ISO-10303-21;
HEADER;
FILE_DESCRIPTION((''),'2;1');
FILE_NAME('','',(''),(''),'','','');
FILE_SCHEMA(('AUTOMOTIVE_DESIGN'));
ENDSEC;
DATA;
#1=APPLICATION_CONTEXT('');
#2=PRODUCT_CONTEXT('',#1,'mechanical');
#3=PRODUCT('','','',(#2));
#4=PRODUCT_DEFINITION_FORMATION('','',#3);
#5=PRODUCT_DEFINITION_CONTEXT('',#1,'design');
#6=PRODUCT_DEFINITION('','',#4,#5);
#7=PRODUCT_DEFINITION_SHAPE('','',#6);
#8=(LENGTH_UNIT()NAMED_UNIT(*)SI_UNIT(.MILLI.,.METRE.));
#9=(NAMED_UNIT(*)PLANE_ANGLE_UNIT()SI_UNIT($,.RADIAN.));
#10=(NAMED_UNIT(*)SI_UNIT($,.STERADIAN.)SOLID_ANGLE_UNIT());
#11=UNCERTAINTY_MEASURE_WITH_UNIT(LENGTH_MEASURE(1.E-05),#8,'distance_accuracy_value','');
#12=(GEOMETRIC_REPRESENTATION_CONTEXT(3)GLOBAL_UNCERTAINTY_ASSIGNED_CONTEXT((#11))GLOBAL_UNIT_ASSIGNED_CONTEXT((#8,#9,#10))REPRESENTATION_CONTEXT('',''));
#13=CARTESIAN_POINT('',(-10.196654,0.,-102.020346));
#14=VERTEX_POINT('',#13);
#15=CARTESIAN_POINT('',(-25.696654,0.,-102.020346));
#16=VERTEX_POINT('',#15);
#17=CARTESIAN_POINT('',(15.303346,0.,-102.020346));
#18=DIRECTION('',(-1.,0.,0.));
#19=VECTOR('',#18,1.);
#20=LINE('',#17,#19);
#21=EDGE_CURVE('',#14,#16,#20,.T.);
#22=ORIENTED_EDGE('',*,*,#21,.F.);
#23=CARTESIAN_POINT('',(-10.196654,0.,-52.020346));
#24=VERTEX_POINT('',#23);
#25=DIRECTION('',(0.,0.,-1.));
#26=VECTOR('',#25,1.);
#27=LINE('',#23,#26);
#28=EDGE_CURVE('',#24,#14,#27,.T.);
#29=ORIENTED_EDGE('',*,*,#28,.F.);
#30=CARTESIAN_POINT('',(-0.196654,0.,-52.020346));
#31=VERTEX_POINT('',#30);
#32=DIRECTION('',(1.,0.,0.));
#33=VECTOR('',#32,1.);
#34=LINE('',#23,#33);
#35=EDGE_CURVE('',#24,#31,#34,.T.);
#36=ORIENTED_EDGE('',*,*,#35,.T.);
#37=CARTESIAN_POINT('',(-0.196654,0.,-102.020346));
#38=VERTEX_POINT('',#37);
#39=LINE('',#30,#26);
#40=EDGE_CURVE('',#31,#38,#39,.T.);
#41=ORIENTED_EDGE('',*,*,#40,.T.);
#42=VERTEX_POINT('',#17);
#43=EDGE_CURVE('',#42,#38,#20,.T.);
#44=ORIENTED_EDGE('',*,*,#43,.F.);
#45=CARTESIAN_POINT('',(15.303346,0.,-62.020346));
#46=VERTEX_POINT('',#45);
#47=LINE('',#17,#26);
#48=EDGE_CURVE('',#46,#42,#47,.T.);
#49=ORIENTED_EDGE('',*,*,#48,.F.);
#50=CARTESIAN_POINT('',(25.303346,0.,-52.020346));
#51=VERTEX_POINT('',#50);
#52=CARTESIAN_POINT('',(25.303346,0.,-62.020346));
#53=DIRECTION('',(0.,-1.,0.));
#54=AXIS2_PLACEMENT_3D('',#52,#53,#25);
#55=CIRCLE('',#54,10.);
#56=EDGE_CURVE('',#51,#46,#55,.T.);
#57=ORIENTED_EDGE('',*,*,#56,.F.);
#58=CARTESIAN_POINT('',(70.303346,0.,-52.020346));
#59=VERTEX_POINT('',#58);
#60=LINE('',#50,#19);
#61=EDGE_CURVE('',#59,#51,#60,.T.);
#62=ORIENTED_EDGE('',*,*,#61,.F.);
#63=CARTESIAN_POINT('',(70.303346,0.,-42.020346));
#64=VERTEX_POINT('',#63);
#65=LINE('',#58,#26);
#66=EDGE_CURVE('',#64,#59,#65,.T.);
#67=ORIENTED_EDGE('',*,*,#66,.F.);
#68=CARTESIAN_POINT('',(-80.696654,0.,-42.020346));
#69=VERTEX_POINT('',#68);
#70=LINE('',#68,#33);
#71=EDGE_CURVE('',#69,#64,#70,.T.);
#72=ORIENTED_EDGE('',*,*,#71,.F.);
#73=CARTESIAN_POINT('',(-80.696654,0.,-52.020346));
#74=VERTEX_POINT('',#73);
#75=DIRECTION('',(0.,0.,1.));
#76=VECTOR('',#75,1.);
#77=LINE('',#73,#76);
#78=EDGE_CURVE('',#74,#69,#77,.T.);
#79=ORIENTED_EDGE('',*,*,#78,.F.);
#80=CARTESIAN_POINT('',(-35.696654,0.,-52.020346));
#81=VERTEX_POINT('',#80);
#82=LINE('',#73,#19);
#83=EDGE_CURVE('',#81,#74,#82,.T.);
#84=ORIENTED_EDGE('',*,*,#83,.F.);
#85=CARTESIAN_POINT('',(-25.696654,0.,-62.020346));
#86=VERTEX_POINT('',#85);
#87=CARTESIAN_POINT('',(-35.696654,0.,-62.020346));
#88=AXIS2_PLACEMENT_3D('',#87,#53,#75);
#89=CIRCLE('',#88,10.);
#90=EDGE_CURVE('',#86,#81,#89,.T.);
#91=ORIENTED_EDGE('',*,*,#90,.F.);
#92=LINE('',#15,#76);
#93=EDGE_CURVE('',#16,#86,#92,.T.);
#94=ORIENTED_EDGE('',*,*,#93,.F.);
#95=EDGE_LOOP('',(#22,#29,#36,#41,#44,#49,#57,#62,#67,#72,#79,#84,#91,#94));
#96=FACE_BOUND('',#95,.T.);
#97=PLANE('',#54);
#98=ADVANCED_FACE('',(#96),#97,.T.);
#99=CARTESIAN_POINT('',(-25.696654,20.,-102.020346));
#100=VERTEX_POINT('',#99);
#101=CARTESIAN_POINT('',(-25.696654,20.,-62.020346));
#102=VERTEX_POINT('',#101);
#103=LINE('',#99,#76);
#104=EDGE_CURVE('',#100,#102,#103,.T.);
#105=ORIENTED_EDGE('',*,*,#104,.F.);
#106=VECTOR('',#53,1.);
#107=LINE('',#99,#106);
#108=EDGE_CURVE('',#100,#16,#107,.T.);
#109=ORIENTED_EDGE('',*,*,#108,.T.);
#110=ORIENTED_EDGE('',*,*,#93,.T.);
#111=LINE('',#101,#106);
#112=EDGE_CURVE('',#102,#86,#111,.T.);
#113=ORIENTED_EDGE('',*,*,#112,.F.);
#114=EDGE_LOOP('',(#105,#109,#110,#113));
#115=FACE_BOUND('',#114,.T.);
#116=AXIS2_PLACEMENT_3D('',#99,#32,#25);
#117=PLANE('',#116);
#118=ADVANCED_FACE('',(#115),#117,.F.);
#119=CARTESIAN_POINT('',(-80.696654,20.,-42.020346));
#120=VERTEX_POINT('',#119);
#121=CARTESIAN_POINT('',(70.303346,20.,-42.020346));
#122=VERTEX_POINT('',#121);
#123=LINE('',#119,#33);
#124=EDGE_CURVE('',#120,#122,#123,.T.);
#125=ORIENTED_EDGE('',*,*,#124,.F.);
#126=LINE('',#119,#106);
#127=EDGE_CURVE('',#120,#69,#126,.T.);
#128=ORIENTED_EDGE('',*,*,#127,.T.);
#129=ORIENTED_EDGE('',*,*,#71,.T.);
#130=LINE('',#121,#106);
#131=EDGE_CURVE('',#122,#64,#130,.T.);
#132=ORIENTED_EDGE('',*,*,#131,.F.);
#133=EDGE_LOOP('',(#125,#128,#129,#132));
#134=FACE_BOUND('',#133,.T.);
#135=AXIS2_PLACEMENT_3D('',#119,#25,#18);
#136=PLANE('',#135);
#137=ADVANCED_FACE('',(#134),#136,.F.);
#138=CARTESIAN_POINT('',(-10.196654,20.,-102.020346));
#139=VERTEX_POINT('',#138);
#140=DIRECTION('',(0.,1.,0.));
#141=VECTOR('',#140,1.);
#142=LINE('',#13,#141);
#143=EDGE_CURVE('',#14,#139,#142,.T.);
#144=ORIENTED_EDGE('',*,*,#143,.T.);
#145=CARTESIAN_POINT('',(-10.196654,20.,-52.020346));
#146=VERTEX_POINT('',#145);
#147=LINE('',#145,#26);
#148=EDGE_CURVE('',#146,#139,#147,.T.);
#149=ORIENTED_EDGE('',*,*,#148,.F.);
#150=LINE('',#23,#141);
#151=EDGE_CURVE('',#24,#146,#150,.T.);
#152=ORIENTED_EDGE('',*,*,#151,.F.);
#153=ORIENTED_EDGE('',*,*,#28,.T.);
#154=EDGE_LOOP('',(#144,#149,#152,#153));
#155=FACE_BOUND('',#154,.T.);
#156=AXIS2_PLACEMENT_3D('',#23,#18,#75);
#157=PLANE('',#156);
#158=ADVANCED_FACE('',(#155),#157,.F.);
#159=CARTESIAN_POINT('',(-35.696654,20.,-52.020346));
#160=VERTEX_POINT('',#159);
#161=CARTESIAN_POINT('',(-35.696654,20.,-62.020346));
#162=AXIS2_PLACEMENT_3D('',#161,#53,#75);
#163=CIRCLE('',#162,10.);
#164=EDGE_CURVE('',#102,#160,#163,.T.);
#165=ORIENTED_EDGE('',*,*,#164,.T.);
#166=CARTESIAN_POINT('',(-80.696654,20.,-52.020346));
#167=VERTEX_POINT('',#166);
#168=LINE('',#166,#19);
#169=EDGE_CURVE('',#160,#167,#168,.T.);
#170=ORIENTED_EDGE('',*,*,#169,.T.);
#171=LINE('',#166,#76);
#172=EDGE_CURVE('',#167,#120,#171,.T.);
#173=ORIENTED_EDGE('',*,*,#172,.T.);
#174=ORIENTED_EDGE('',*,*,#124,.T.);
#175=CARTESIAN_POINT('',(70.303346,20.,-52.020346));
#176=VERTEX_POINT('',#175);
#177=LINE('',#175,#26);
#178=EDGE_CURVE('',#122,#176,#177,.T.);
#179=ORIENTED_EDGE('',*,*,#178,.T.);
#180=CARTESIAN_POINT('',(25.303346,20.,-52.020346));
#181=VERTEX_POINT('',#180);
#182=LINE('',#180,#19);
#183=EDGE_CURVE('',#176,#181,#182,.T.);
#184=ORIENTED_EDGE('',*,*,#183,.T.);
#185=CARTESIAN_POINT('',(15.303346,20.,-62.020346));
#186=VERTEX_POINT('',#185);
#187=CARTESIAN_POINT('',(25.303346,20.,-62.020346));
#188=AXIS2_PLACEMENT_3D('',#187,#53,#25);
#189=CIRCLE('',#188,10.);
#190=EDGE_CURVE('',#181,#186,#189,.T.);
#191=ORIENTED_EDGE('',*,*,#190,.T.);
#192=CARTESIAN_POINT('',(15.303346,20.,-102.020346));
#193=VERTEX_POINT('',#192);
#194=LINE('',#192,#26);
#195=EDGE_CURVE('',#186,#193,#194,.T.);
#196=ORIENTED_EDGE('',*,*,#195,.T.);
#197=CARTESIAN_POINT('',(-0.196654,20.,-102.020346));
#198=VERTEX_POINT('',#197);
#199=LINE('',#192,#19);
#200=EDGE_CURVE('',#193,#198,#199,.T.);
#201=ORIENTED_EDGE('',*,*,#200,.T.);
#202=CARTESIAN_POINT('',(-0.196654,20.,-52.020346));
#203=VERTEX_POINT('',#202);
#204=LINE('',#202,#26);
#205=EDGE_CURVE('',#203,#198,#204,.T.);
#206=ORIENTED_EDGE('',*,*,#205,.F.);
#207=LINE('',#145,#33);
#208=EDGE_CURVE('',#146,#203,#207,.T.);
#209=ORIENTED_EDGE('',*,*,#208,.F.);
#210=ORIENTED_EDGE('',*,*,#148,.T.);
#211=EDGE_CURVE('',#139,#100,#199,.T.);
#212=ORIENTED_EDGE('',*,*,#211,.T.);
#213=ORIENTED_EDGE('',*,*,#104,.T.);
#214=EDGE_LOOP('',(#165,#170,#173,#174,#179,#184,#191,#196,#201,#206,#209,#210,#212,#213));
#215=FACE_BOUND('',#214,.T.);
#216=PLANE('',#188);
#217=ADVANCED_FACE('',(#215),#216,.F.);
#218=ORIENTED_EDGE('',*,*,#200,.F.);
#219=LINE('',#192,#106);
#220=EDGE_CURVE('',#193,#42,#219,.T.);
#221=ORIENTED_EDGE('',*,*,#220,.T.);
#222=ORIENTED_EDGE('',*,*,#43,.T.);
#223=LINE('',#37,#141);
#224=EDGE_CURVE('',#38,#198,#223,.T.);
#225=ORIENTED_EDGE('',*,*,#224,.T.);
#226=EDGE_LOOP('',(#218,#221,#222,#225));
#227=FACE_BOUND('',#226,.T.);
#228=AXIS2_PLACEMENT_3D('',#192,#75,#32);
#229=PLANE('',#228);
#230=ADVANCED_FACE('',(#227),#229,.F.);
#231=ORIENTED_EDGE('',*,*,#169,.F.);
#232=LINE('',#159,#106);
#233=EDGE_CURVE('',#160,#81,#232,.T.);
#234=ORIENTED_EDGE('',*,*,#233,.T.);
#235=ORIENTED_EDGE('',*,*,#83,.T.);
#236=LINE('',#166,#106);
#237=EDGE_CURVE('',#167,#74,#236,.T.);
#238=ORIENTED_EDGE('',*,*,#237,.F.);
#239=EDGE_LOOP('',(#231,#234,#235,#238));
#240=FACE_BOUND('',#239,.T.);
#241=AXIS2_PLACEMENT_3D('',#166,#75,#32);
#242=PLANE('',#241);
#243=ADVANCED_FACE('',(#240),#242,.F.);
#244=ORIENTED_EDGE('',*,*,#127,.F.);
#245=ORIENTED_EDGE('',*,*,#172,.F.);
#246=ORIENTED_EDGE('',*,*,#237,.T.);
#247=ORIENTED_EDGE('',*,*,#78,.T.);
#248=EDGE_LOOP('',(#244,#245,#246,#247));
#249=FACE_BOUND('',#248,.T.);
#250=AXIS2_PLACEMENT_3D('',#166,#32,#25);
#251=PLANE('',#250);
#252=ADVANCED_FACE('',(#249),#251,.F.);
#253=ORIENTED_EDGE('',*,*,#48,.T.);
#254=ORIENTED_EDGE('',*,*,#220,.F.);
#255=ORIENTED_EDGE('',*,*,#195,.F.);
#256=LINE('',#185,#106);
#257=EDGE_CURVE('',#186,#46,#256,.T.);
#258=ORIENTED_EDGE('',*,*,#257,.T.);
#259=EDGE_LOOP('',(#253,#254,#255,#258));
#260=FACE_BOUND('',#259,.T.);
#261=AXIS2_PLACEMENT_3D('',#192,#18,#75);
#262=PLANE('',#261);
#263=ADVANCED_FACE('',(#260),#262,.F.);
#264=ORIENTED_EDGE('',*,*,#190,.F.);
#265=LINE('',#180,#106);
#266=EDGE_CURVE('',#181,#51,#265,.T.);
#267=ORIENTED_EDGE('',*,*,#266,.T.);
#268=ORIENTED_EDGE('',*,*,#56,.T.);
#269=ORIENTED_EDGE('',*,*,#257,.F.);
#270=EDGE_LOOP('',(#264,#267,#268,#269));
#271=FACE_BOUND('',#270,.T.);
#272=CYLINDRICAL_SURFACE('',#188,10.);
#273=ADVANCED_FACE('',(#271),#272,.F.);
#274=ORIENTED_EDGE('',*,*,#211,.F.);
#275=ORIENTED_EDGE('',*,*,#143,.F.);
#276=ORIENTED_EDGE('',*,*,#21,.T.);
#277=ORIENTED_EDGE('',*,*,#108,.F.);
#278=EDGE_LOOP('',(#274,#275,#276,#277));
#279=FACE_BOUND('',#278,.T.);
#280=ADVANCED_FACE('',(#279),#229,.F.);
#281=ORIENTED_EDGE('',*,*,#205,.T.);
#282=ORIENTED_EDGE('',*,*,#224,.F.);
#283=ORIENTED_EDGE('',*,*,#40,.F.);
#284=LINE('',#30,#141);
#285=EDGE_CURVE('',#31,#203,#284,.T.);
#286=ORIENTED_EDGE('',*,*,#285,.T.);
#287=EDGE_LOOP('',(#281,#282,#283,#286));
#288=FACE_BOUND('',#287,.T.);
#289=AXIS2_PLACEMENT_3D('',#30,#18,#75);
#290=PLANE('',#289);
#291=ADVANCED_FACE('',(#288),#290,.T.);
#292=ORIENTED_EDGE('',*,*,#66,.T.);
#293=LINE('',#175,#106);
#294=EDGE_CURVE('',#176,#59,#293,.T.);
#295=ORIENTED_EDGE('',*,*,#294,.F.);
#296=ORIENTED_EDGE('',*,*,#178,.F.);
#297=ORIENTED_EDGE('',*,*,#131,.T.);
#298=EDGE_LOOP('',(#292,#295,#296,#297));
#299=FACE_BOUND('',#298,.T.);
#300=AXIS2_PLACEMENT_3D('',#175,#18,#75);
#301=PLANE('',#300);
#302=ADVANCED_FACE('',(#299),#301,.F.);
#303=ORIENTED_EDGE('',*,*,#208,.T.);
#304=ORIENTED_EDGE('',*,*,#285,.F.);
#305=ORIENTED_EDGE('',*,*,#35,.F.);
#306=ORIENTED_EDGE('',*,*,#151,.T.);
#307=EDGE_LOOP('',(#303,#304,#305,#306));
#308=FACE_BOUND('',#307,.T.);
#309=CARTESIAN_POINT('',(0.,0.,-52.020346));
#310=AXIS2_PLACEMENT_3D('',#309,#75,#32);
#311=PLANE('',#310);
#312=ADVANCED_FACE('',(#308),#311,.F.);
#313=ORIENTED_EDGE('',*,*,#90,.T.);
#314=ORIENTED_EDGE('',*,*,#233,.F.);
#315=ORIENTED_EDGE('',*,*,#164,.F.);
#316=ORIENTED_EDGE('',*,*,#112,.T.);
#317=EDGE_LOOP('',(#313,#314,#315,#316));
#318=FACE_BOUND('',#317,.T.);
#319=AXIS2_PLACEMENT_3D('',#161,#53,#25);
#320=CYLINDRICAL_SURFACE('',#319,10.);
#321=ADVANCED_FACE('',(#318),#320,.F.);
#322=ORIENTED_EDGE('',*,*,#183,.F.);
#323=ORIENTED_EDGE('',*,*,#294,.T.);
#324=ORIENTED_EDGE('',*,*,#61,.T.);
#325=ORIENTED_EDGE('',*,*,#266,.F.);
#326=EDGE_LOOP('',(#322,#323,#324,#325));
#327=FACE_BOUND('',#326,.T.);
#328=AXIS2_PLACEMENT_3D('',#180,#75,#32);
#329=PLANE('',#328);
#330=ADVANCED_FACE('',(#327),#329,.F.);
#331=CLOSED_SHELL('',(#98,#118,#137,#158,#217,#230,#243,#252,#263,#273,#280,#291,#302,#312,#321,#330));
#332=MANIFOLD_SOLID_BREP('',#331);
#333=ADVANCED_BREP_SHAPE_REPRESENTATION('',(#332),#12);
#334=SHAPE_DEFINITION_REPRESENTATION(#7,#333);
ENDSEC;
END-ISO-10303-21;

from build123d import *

# Parameters (mm, degrees)
BOSS_EXTRUDE2_DEPTH = 20
SKETCH4_W           = 10
SKETCH4_H           = 20
CUT_EXTRUDE1_DEPTH  = 50


with BuildPart() as part:
    # Sketch1 → Boss-Extrude2 (new body)
    with BuildSketch(Plane(origin=(0, 0, 0), x_dir=(1, 0, 0), z_dir=(0, 1, 0))):
        with BuildLine():
            Line((-80.69665409, 52.02034588), (-35.69665409, 52.02034588))
            ThreePointArc((-35.69665409, 52.02034588), (-28.625586278, 54.949278068), (-25.69665409, 62.02034588))
            Line((-25.69665409, 62.02034588), (-25.69665409, 102.02034588))
            Line((-25.69665409, 102.02034588), (15.30334591, 102.02034588))
            Line((15.30334591, 102.02034588), (15.30334591, 62.02034588))
            ThreePointArc((15.30334591, 62.02034588), (18.232278099, 54.949278068), (25.30334591, 52.02034588))
            Line((25.30334591, 52.02034588), (70.30334591, 52.02034588))
            Line((70.30334591, 52.02034588), (70.30334591, 42.02034588))
            Line((70.30334591, 42.02034588), (-80.69665409, 42.02034588))
            Line((-80.69665409, 42.02034588), (-80.69665409, 52.02034588))
        make_face()
    extrude(amount=BOSS_EXTRUDE2_DEPTH)

    # Sketch4 → Cut-Extrude1 (cut)
    with BuildSketch(Plane(origin=(0, 0, -102.02034588), x_dir=(-1, 0, 0), z_dir=(0, 0, -1))):
        with Locations((5.19665409, 10)):
            Rectangle(SKETCH4_W, SKETCH4_H)
    extrude(amount=-CUT_EXTRUDE1_DEPTH, mode=Mode.SUBTRACT)


solid = part.part
